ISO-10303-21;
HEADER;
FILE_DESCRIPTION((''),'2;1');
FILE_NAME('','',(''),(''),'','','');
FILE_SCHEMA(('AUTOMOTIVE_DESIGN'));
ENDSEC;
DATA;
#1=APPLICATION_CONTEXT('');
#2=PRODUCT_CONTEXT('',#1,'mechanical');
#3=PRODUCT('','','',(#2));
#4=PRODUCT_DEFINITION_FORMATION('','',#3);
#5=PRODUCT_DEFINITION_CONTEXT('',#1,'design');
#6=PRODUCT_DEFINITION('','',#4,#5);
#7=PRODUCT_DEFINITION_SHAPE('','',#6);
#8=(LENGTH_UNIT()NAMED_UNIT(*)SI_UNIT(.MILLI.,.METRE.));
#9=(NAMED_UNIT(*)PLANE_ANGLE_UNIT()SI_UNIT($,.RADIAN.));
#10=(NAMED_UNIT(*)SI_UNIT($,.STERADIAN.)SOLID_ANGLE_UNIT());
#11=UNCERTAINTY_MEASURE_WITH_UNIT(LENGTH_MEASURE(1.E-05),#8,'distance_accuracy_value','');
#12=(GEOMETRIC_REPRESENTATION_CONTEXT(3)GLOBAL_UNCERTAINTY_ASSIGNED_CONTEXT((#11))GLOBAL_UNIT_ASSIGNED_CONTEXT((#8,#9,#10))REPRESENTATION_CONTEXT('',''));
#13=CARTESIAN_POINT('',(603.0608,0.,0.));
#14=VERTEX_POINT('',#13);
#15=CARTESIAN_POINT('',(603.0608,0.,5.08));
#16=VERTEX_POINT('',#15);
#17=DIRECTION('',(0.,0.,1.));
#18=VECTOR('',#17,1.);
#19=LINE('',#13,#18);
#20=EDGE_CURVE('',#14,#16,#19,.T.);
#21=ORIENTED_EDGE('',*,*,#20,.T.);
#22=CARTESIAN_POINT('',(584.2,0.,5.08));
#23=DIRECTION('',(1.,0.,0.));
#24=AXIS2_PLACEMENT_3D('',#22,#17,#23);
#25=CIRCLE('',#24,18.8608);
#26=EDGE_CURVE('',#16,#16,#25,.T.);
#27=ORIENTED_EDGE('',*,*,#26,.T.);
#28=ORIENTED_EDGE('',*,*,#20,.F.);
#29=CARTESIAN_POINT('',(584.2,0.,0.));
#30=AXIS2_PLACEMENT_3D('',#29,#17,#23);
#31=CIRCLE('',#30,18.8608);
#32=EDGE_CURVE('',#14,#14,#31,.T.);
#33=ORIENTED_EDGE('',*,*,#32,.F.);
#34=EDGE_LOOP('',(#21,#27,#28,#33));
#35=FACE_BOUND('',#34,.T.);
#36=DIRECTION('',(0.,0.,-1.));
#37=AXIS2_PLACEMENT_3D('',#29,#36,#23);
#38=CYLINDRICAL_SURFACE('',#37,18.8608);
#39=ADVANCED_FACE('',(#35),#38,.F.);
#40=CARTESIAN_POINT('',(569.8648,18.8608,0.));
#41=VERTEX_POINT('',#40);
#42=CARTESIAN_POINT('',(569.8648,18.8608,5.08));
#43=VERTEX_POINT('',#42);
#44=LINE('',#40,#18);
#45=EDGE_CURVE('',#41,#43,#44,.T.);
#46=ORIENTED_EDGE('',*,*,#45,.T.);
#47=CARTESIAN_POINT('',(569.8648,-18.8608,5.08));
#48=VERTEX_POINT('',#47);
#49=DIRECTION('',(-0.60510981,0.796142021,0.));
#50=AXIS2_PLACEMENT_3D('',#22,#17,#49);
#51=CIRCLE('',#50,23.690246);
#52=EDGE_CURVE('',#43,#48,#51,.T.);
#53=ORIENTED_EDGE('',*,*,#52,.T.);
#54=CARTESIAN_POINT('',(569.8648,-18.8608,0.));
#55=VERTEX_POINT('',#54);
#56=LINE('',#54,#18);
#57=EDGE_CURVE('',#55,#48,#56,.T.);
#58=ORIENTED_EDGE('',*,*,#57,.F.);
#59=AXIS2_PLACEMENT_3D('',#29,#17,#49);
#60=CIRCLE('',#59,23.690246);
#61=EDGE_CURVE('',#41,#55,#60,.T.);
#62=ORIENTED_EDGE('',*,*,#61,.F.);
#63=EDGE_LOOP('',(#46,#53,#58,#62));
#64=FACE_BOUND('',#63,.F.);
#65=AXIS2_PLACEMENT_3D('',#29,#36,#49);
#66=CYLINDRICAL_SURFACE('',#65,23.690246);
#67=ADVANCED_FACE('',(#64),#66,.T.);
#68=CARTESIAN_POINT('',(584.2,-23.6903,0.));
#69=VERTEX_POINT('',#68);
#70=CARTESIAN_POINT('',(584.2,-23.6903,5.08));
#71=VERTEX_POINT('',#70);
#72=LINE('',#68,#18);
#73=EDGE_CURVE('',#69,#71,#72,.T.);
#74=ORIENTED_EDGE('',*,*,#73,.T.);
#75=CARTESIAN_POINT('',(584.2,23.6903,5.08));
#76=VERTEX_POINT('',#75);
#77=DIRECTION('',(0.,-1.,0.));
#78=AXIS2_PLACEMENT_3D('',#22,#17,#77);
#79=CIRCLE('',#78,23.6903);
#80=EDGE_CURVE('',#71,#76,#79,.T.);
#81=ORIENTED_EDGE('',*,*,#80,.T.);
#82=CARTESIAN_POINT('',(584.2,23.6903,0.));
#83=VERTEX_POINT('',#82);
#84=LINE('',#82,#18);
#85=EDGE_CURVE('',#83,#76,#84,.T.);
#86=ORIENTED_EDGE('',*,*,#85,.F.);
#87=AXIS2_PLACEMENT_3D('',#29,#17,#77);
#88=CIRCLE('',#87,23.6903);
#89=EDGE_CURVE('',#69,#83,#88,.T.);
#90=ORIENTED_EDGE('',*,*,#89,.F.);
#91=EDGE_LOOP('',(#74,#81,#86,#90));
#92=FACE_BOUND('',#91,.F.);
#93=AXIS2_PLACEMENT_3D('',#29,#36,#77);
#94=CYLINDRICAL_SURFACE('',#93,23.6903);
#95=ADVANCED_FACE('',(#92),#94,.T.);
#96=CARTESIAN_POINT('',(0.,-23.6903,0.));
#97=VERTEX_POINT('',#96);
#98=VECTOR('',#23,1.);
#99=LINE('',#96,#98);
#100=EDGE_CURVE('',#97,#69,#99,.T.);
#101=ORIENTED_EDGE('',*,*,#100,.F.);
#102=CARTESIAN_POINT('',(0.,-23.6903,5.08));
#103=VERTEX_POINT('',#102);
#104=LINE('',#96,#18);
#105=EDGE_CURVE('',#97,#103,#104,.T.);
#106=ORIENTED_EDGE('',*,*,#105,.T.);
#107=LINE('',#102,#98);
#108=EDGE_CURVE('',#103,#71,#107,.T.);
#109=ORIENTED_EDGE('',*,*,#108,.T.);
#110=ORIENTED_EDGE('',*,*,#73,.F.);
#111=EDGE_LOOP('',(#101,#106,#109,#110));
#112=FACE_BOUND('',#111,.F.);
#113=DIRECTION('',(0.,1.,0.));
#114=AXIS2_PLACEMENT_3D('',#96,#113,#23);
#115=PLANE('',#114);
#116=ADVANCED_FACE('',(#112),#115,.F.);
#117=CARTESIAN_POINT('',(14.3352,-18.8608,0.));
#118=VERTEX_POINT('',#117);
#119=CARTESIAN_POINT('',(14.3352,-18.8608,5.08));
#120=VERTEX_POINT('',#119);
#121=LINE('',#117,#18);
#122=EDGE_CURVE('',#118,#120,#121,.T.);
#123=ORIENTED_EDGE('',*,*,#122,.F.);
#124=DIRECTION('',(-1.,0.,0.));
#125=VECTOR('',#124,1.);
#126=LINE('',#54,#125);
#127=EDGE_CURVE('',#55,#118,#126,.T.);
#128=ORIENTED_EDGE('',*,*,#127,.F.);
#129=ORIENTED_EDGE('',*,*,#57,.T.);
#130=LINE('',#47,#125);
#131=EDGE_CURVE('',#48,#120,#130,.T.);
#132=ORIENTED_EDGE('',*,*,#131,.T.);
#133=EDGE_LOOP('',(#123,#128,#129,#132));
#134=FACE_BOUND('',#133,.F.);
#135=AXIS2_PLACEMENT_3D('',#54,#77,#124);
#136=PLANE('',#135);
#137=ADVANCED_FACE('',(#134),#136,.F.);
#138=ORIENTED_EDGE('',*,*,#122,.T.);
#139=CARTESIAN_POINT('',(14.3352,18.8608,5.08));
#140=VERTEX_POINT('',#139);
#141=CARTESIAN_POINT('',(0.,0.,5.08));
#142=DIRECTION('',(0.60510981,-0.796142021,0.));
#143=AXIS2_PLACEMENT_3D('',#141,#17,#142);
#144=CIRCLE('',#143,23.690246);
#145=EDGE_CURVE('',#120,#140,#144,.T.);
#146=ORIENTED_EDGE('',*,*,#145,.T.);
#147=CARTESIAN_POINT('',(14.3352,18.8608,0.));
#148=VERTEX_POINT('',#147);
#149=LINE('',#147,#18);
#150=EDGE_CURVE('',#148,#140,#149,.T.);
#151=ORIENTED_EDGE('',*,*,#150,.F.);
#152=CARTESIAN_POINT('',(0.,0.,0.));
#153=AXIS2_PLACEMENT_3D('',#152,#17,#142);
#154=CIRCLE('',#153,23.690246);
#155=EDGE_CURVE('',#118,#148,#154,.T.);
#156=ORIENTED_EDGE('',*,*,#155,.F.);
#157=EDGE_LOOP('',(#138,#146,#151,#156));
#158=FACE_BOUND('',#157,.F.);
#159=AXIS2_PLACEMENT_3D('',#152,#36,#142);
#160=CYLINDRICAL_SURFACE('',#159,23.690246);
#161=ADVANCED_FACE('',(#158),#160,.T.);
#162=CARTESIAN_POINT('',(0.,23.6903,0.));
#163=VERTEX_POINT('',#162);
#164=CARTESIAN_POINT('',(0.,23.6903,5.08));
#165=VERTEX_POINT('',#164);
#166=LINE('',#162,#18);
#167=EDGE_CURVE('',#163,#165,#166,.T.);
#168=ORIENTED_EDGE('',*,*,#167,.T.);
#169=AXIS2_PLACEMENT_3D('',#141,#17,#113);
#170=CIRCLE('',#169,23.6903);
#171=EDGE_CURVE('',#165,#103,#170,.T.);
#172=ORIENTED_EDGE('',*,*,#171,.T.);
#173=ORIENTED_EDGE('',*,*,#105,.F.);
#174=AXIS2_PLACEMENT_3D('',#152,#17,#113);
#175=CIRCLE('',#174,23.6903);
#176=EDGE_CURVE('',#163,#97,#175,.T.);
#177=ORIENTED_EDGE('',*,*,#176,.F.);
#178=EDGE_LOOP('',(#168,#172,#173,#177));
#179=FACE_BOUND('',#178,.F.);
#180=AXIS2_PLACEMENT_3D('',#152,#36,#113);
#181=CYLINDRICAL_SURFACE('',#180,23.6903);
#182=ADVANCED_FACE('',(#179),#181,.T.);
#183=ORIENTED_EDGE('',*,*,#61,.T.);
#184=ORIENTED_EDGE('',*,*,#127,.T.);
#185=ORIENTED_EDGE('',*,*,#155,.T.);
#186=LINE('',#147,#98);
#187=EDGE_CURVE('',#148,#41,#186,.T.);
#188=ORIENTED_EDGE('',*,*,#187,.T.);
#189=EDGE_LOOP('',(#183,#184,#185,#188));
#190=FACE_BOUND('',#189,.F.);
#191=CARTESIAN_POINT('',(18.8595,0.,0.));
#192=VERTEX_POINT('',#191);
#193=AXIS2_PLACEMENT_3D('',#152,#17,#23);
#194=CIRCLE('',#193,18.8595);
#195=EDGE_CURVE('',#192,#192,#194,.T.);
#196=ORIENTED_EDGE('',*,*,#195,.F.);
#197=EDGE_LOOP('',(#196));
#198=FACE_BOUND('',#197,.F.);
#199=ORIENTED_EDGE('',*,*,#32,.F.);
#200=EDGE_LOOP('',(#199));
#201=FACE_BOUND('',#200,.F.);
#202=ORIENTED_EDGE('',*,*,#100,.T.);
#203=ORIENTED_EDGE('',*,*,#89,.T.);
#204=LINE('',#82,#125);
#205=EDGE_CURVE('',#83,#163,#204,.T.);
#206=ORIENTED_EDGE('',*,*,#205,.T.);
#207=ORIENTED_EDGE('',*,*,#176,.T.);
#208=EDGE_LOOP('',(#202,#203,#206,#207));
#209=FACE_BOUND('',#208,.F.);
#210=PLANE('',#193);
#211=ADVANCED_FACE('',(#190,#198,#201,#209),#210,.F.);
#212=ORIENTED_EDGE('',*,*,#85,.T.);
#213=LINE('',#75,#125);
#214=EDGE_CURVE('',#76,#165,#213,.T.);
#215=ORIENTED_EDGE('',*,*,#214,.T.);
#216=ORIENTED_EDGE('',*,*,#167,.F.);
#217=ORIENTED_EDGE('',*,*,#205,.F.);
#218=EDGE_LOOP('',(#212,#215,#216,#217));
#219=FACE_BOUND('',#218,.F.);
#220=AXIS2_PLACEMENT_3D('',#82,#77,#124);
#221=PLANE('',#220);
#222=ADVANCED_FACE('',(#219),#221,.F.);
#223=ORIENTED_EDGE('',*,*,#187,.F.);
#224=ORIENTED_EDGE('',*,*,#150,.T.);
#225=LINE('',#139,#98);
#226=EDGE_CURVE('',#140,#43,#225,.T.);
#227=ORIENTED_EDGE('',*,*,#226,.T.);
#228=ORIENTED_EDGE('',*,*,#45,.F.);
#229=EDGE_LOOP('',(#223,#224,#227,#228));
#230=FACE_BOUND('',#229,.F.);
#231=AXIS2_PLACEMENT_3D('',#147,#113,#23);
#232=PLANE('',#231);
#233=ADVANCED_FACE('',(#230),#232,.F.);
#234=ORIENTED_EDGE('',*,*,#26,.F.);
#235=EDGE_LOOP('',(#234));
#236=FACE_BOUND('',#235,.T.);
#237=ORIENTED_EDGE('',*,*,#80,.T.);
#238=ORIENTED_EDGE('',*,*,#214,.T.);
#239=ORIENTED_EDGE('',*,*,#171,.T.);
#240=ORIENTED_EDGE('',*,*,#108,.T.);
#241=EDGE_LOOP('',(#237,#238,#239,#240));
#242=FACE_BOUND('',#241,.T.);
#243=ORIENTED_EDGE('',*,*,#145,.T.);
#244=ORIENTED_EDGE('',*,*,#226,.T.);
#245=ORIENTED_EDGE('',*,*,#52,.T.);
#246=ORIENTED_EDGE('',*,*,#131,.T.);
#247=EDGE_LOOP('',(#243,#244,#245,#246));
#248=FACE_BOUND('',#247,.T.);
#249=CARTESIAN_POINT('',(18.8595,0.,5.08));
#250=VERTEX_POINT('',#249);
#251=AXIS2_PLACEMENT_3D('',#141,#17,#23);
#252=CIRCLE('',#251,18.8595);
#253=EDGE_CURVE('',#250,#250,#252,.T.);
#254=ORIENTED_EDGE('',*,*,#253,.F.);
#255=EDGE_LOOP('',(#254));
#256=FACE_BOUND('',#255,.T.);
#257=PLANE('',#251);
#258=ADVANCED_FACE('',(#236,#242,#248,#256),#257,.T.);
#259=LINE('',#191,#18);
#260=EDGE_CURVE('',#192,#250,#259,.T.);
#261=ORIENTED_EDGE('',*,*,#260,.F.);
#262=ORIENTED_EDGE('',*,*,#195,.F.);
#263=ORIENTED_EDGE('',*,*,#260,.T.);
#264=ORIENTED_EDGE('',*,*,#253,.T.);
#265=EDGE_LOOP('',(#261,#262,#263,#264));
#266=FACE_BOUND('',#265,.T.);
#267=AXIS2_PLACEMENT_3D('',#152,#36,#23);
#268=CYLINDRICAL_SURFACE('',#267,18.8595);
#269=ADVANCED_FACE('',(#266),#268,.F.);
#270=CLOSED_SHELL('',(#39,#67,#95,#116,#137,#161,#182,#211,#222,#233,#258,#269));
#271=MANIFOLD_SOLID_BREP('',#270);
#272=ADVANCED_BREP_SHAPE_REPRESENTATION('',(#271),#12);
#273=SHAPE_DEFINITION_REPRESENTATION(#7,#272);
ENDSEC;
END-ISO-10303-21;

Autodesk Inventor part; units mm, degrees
ref_plane "YZ Plane" through (0, 0, 0) normal (1, 0, 0) x (0, 1, 0)
ref_plane "XZ Plane" through (0, 0, 0) normal (0, 1, 0) x (-1, 0, 0)
ref_plane "XY Plane" through (0, 0, 0) normal (0, 0, 1) x (1, 0, 0)
sketch "Sketch1" plane through (0, 0, 0) normal (0, 0, 1) x (1, 0, 0)
  circle A0 centre (0, 0) radius 18.8595
  arc A1 (0, 23.6903) -> (0, -23.6903) centre (0, 0) ccw
  circle A2 centre (584.2, 0) radius 18.8608
  arc A3 (569.8648, 18.8608) -> (569.8648, -18.8608) centre (584.2, 0) ccw
  line L0 (584.2, 23.6903) -> (0, 23.6903)
  line L1 (0, -23.6903) -> (584.2, -23.6903)
  line L2 (569.8648, -18.8608) -> (14.3352, -18.8608)
  line L3 (14.3352, 18.8608) -> (569.8648, 18.8608)
  arc A4 (14.3352, -18.8608) -> (14.3352, 18.8608) centre (0, 0) ccw
  arc A5 (584.2, -23.6903) -> (584.2, 23.6903) centre (584.2, 0) ccw
  dimension "d0" = 37.719
extrude "Extrusion1" add sketch "Sketch1" along normal blind 5.08
properties part number "false chain"
